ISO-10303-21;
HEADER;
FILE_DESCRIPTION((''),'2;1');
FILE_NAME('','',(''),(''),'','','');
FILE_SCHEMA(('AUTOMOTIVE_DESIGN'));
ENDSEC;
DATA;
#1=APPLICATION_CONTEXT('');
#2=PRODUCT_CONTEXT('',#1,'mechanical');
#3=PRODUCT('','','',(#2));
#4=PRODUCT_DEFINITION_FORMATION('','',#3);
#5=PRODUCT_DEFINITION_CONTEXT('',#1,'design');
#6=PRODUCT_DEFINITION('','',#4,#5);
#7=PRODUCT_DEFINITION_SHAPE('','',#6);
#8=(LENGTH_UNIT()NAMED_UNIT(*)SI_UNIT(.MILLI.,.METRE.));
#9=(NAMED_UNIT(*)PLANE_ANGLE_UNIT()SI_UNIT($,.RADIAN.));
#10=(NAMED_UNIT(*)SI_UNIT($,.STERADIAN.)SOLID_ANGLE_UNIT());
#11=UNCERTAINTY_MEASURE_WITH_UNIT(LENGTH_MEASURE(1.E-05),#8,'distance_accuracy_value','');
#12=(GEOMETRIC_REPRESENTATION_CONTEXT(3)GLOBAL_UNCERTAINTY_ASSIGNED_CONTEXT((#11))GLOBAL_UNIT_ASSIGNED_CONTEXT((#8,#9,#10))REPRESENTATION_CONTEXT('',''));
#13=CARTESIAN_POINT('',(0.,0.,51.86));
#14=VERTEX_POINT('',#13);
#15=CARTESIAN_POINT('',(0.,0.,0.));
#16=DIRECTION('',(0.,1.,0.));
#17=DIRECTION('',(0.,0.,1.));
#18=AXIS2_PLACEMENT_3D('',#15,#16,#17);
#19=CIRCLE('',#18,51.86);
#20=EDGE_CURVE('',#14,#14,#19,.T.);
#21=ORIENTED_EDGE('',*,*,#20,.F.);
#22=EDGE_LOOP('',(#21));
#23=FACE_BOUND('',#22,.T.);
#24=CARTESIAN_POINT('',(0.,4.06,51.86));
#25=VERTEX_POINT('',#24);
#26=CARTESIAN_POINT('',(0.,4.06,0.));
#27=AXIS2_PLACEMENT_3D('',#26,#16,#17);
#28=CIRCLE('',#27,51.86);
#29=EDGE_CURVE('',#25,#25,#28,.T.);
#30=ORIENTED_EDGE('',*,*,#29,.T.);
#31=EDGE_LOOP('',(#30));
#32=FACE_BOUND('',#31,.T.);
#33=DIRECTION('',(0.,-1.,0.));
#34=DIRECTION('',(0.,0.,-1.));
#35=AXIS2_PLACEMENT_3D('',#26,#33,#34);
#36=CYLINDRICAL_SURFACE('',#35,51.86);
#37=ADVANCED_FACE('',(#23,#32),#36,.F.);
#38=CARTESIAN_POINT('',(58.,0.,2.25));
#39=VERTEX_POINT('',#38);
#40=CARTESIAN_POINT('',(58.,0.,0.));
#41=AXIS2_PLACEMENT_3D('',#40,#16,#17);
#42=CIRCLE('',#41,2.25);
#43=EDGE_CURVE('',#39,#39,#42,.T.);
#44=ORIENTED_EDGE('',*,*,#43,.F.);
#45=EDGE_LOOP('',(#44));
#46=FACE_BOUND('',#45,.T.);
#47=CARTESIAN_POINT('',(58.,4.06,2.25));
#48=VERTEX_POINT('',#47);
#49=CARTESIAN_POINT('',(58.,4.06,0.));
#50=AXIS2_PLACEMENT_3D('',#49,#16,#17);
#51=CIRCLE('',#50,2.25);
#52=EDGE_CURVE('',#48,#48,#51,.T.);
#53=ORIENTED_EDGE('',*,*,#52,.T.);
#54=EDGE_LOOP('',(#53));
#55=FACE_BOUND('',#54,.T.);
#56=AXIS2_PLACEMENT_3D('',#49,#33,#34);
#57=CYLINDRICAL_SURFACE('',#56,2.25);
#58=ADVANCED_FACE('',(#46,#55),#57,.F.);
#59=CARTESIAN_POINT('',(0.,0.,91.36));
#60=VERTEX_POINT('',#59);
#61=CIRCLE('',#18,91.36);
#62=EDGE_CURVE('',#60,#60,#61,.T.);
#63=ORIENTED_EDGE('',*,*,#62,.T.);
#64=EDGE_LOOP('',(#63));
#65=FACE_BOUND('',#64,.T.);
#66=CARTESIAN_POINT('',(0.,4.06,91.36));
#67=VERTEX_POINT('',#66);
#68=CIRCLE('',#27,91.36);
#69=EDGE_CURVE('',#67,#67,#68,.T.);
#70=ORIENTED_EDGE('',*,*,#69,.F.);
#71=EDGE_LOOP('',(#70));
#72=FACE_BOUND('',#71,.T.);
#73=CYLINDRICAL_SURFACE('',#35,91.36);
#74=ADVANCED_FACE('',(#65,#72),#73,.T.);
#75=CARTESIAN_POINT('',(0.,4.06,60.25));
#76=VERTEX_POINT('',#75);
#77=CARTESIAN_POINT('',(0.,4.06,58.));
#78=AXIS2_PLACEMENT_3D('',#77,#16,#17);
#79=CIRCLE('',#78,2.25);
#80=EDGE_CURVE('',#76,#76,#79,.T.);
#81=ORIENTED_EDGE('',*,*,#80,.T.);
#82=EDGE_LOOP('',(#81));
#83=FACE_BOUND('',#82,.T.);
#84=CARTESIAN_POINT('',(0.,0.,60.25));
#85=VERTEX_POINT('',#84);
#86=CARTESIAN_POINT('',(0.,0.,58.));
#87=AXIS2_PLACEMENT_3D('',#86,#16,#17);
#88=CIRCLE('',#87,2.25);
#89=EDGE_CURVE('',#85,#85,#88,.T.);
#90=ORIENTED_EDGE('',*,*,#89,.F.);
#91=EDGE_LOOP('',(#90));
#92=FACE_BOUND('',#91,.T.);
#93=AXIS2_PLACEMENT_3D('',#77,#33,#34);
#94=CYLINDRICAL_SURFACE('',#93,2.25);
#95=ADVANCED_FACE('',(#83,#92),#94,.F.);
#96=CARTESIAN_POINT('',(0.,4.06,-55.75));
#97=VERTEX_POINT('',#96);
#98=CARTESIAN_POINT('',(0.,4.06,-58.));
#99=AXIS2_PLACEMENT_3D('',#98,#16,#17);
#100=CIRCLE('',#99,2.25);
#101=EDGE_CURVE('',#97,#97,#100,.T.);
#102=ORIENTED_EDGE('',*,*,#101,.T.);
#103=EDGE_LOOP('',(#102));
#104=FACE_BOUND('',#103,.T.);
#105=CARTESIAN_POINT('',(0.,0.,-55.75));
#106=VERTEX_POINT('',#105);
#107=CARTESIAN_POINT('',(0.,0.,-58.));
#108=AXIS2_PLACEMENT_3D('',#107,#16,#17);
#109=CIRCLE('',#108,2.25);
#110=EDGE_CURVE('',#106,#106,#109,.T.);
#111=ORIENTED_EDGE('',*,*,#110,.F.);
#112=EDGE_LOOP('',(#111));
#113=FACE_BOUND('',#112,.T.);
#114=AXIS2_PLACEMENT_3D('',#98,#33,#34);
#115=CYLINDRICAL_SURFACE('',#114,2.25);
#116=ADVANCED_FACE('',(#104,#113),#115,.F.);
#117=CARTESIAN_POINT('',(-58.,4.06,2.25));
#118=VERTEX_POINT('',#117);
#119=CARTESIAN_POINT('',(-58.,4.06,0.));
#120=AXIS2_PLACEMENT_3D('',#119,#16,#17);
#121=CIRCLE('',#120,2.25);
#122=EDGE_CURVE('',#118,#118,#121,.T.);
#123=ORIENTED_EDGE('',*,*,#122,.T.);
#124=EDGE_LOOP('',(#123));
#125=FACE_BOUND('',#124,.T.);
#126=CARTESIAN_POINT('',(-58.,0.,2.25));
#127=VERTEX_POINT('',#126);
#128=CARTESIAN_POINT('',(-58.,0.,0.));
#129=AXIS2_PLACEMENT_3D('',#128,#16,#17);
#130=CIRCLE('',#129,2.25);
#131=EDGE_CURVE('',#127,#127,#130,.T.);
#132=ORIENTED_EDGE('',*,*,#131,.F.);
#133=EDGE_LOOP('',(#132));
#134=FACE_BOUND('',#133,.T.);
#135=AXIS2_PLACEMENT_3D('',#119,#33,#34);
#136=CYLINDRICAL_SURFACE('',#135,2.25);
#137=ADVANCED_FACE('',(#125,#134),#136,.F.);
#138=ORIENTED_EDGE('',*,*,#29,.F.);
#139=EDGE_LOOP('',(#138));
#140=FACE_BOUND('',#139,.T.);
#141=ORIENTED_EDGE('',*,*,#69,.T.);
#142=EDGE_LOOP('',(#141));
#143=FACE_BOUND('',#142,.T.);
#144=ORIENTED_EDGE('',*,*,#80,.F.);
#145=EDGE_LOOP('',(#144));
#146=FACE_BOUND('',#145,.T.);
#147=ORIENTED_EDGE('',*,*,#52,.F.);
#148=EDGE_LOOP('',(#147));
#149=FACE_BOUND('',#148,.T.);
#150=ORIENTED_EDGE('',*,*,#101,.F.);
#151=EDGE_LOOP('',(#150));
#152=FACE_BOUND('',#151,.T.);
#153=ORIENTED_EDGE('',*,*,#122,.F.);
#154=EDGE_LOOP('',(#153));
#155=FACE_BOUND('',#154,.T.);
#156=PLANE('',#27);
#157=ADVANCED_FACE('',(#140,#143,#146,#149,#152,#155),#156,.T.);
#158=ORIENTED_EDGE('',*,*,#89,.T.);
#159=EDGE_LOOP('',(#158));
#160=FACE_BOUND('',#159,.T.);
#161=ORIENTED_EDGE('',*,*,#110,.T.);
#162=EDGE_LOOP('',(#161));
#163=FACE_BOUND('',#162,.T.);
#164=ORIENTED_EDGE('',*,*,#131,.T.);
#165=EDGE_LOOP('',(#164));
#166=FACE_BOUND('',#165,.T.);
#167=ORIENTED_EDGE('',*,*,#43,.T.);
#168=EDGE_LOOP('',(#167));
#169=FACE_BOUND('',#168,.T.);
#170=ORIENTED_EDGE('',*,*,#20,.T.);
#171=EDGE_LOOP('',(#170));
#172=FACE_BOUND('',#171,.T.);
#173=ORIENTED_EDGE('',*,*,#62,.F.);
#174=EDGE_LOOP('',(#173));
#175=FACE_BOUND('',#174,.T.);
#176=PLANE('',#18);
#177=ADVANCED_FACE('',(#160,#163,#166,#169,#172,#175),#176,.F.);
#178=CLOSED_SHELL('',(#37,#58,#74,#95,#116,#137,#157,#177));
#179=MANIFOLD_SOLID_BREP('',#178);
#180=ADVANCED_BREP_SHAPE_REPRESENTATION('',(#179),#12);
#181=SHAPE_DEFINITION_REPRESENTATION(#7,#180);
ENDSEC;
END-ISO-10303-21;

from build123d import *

# Parameters (mm, degrees)
CROQUIS1_R              = 91.36
CROQUIS1_R_2            = 51.86
CROQUIS1_R_3            = 2.25
SALIENTE_EXTRUIR1_DEPTH = 4.06


with BuildPart() as part:
    # Croquis1 → Saliente-Extruir1 (new body)
    with BuildSketch(Plane(origin=(0, 0, 0), x_dir=(1, 0, 0), z_dir=(0, 1, 0))):
        with Locations(Location((0, 0, 0), (0, 0, 270))):
            Circle(CROQUIS1_R)
        with Locations(Location((0, 0, 0), (0, 0, 270))):
            Circle(CROQUIS1_R_2, mode=Mode.SUBTRACT)
        with Locations(Location((-58, 0, 0), (0, 0, 270))):
            Circle(CROQUIS1_R_3, mode=Mode.SUBTRACT)
        with Locations(Location((0, 58, 0), (0, 0, 270))):
            Circle(CROQUIS1_R_3, mode=Mode.SUBTRACT)
        with Locations(Location((58, 0, 0), (0, 0, 270))):
            Circle(CROQUIS1_R_3, mode=Mode.SUBTRACT)
        with Locations(Location((0, -58, 0), (0, 0, 270))):
            Circle(CROQUIS1_R_3, mode=Mode.SUBTRACT)
    extrude(amount=SALIENTE_EXTRUIR1_DEPTH)


solid = part.part
